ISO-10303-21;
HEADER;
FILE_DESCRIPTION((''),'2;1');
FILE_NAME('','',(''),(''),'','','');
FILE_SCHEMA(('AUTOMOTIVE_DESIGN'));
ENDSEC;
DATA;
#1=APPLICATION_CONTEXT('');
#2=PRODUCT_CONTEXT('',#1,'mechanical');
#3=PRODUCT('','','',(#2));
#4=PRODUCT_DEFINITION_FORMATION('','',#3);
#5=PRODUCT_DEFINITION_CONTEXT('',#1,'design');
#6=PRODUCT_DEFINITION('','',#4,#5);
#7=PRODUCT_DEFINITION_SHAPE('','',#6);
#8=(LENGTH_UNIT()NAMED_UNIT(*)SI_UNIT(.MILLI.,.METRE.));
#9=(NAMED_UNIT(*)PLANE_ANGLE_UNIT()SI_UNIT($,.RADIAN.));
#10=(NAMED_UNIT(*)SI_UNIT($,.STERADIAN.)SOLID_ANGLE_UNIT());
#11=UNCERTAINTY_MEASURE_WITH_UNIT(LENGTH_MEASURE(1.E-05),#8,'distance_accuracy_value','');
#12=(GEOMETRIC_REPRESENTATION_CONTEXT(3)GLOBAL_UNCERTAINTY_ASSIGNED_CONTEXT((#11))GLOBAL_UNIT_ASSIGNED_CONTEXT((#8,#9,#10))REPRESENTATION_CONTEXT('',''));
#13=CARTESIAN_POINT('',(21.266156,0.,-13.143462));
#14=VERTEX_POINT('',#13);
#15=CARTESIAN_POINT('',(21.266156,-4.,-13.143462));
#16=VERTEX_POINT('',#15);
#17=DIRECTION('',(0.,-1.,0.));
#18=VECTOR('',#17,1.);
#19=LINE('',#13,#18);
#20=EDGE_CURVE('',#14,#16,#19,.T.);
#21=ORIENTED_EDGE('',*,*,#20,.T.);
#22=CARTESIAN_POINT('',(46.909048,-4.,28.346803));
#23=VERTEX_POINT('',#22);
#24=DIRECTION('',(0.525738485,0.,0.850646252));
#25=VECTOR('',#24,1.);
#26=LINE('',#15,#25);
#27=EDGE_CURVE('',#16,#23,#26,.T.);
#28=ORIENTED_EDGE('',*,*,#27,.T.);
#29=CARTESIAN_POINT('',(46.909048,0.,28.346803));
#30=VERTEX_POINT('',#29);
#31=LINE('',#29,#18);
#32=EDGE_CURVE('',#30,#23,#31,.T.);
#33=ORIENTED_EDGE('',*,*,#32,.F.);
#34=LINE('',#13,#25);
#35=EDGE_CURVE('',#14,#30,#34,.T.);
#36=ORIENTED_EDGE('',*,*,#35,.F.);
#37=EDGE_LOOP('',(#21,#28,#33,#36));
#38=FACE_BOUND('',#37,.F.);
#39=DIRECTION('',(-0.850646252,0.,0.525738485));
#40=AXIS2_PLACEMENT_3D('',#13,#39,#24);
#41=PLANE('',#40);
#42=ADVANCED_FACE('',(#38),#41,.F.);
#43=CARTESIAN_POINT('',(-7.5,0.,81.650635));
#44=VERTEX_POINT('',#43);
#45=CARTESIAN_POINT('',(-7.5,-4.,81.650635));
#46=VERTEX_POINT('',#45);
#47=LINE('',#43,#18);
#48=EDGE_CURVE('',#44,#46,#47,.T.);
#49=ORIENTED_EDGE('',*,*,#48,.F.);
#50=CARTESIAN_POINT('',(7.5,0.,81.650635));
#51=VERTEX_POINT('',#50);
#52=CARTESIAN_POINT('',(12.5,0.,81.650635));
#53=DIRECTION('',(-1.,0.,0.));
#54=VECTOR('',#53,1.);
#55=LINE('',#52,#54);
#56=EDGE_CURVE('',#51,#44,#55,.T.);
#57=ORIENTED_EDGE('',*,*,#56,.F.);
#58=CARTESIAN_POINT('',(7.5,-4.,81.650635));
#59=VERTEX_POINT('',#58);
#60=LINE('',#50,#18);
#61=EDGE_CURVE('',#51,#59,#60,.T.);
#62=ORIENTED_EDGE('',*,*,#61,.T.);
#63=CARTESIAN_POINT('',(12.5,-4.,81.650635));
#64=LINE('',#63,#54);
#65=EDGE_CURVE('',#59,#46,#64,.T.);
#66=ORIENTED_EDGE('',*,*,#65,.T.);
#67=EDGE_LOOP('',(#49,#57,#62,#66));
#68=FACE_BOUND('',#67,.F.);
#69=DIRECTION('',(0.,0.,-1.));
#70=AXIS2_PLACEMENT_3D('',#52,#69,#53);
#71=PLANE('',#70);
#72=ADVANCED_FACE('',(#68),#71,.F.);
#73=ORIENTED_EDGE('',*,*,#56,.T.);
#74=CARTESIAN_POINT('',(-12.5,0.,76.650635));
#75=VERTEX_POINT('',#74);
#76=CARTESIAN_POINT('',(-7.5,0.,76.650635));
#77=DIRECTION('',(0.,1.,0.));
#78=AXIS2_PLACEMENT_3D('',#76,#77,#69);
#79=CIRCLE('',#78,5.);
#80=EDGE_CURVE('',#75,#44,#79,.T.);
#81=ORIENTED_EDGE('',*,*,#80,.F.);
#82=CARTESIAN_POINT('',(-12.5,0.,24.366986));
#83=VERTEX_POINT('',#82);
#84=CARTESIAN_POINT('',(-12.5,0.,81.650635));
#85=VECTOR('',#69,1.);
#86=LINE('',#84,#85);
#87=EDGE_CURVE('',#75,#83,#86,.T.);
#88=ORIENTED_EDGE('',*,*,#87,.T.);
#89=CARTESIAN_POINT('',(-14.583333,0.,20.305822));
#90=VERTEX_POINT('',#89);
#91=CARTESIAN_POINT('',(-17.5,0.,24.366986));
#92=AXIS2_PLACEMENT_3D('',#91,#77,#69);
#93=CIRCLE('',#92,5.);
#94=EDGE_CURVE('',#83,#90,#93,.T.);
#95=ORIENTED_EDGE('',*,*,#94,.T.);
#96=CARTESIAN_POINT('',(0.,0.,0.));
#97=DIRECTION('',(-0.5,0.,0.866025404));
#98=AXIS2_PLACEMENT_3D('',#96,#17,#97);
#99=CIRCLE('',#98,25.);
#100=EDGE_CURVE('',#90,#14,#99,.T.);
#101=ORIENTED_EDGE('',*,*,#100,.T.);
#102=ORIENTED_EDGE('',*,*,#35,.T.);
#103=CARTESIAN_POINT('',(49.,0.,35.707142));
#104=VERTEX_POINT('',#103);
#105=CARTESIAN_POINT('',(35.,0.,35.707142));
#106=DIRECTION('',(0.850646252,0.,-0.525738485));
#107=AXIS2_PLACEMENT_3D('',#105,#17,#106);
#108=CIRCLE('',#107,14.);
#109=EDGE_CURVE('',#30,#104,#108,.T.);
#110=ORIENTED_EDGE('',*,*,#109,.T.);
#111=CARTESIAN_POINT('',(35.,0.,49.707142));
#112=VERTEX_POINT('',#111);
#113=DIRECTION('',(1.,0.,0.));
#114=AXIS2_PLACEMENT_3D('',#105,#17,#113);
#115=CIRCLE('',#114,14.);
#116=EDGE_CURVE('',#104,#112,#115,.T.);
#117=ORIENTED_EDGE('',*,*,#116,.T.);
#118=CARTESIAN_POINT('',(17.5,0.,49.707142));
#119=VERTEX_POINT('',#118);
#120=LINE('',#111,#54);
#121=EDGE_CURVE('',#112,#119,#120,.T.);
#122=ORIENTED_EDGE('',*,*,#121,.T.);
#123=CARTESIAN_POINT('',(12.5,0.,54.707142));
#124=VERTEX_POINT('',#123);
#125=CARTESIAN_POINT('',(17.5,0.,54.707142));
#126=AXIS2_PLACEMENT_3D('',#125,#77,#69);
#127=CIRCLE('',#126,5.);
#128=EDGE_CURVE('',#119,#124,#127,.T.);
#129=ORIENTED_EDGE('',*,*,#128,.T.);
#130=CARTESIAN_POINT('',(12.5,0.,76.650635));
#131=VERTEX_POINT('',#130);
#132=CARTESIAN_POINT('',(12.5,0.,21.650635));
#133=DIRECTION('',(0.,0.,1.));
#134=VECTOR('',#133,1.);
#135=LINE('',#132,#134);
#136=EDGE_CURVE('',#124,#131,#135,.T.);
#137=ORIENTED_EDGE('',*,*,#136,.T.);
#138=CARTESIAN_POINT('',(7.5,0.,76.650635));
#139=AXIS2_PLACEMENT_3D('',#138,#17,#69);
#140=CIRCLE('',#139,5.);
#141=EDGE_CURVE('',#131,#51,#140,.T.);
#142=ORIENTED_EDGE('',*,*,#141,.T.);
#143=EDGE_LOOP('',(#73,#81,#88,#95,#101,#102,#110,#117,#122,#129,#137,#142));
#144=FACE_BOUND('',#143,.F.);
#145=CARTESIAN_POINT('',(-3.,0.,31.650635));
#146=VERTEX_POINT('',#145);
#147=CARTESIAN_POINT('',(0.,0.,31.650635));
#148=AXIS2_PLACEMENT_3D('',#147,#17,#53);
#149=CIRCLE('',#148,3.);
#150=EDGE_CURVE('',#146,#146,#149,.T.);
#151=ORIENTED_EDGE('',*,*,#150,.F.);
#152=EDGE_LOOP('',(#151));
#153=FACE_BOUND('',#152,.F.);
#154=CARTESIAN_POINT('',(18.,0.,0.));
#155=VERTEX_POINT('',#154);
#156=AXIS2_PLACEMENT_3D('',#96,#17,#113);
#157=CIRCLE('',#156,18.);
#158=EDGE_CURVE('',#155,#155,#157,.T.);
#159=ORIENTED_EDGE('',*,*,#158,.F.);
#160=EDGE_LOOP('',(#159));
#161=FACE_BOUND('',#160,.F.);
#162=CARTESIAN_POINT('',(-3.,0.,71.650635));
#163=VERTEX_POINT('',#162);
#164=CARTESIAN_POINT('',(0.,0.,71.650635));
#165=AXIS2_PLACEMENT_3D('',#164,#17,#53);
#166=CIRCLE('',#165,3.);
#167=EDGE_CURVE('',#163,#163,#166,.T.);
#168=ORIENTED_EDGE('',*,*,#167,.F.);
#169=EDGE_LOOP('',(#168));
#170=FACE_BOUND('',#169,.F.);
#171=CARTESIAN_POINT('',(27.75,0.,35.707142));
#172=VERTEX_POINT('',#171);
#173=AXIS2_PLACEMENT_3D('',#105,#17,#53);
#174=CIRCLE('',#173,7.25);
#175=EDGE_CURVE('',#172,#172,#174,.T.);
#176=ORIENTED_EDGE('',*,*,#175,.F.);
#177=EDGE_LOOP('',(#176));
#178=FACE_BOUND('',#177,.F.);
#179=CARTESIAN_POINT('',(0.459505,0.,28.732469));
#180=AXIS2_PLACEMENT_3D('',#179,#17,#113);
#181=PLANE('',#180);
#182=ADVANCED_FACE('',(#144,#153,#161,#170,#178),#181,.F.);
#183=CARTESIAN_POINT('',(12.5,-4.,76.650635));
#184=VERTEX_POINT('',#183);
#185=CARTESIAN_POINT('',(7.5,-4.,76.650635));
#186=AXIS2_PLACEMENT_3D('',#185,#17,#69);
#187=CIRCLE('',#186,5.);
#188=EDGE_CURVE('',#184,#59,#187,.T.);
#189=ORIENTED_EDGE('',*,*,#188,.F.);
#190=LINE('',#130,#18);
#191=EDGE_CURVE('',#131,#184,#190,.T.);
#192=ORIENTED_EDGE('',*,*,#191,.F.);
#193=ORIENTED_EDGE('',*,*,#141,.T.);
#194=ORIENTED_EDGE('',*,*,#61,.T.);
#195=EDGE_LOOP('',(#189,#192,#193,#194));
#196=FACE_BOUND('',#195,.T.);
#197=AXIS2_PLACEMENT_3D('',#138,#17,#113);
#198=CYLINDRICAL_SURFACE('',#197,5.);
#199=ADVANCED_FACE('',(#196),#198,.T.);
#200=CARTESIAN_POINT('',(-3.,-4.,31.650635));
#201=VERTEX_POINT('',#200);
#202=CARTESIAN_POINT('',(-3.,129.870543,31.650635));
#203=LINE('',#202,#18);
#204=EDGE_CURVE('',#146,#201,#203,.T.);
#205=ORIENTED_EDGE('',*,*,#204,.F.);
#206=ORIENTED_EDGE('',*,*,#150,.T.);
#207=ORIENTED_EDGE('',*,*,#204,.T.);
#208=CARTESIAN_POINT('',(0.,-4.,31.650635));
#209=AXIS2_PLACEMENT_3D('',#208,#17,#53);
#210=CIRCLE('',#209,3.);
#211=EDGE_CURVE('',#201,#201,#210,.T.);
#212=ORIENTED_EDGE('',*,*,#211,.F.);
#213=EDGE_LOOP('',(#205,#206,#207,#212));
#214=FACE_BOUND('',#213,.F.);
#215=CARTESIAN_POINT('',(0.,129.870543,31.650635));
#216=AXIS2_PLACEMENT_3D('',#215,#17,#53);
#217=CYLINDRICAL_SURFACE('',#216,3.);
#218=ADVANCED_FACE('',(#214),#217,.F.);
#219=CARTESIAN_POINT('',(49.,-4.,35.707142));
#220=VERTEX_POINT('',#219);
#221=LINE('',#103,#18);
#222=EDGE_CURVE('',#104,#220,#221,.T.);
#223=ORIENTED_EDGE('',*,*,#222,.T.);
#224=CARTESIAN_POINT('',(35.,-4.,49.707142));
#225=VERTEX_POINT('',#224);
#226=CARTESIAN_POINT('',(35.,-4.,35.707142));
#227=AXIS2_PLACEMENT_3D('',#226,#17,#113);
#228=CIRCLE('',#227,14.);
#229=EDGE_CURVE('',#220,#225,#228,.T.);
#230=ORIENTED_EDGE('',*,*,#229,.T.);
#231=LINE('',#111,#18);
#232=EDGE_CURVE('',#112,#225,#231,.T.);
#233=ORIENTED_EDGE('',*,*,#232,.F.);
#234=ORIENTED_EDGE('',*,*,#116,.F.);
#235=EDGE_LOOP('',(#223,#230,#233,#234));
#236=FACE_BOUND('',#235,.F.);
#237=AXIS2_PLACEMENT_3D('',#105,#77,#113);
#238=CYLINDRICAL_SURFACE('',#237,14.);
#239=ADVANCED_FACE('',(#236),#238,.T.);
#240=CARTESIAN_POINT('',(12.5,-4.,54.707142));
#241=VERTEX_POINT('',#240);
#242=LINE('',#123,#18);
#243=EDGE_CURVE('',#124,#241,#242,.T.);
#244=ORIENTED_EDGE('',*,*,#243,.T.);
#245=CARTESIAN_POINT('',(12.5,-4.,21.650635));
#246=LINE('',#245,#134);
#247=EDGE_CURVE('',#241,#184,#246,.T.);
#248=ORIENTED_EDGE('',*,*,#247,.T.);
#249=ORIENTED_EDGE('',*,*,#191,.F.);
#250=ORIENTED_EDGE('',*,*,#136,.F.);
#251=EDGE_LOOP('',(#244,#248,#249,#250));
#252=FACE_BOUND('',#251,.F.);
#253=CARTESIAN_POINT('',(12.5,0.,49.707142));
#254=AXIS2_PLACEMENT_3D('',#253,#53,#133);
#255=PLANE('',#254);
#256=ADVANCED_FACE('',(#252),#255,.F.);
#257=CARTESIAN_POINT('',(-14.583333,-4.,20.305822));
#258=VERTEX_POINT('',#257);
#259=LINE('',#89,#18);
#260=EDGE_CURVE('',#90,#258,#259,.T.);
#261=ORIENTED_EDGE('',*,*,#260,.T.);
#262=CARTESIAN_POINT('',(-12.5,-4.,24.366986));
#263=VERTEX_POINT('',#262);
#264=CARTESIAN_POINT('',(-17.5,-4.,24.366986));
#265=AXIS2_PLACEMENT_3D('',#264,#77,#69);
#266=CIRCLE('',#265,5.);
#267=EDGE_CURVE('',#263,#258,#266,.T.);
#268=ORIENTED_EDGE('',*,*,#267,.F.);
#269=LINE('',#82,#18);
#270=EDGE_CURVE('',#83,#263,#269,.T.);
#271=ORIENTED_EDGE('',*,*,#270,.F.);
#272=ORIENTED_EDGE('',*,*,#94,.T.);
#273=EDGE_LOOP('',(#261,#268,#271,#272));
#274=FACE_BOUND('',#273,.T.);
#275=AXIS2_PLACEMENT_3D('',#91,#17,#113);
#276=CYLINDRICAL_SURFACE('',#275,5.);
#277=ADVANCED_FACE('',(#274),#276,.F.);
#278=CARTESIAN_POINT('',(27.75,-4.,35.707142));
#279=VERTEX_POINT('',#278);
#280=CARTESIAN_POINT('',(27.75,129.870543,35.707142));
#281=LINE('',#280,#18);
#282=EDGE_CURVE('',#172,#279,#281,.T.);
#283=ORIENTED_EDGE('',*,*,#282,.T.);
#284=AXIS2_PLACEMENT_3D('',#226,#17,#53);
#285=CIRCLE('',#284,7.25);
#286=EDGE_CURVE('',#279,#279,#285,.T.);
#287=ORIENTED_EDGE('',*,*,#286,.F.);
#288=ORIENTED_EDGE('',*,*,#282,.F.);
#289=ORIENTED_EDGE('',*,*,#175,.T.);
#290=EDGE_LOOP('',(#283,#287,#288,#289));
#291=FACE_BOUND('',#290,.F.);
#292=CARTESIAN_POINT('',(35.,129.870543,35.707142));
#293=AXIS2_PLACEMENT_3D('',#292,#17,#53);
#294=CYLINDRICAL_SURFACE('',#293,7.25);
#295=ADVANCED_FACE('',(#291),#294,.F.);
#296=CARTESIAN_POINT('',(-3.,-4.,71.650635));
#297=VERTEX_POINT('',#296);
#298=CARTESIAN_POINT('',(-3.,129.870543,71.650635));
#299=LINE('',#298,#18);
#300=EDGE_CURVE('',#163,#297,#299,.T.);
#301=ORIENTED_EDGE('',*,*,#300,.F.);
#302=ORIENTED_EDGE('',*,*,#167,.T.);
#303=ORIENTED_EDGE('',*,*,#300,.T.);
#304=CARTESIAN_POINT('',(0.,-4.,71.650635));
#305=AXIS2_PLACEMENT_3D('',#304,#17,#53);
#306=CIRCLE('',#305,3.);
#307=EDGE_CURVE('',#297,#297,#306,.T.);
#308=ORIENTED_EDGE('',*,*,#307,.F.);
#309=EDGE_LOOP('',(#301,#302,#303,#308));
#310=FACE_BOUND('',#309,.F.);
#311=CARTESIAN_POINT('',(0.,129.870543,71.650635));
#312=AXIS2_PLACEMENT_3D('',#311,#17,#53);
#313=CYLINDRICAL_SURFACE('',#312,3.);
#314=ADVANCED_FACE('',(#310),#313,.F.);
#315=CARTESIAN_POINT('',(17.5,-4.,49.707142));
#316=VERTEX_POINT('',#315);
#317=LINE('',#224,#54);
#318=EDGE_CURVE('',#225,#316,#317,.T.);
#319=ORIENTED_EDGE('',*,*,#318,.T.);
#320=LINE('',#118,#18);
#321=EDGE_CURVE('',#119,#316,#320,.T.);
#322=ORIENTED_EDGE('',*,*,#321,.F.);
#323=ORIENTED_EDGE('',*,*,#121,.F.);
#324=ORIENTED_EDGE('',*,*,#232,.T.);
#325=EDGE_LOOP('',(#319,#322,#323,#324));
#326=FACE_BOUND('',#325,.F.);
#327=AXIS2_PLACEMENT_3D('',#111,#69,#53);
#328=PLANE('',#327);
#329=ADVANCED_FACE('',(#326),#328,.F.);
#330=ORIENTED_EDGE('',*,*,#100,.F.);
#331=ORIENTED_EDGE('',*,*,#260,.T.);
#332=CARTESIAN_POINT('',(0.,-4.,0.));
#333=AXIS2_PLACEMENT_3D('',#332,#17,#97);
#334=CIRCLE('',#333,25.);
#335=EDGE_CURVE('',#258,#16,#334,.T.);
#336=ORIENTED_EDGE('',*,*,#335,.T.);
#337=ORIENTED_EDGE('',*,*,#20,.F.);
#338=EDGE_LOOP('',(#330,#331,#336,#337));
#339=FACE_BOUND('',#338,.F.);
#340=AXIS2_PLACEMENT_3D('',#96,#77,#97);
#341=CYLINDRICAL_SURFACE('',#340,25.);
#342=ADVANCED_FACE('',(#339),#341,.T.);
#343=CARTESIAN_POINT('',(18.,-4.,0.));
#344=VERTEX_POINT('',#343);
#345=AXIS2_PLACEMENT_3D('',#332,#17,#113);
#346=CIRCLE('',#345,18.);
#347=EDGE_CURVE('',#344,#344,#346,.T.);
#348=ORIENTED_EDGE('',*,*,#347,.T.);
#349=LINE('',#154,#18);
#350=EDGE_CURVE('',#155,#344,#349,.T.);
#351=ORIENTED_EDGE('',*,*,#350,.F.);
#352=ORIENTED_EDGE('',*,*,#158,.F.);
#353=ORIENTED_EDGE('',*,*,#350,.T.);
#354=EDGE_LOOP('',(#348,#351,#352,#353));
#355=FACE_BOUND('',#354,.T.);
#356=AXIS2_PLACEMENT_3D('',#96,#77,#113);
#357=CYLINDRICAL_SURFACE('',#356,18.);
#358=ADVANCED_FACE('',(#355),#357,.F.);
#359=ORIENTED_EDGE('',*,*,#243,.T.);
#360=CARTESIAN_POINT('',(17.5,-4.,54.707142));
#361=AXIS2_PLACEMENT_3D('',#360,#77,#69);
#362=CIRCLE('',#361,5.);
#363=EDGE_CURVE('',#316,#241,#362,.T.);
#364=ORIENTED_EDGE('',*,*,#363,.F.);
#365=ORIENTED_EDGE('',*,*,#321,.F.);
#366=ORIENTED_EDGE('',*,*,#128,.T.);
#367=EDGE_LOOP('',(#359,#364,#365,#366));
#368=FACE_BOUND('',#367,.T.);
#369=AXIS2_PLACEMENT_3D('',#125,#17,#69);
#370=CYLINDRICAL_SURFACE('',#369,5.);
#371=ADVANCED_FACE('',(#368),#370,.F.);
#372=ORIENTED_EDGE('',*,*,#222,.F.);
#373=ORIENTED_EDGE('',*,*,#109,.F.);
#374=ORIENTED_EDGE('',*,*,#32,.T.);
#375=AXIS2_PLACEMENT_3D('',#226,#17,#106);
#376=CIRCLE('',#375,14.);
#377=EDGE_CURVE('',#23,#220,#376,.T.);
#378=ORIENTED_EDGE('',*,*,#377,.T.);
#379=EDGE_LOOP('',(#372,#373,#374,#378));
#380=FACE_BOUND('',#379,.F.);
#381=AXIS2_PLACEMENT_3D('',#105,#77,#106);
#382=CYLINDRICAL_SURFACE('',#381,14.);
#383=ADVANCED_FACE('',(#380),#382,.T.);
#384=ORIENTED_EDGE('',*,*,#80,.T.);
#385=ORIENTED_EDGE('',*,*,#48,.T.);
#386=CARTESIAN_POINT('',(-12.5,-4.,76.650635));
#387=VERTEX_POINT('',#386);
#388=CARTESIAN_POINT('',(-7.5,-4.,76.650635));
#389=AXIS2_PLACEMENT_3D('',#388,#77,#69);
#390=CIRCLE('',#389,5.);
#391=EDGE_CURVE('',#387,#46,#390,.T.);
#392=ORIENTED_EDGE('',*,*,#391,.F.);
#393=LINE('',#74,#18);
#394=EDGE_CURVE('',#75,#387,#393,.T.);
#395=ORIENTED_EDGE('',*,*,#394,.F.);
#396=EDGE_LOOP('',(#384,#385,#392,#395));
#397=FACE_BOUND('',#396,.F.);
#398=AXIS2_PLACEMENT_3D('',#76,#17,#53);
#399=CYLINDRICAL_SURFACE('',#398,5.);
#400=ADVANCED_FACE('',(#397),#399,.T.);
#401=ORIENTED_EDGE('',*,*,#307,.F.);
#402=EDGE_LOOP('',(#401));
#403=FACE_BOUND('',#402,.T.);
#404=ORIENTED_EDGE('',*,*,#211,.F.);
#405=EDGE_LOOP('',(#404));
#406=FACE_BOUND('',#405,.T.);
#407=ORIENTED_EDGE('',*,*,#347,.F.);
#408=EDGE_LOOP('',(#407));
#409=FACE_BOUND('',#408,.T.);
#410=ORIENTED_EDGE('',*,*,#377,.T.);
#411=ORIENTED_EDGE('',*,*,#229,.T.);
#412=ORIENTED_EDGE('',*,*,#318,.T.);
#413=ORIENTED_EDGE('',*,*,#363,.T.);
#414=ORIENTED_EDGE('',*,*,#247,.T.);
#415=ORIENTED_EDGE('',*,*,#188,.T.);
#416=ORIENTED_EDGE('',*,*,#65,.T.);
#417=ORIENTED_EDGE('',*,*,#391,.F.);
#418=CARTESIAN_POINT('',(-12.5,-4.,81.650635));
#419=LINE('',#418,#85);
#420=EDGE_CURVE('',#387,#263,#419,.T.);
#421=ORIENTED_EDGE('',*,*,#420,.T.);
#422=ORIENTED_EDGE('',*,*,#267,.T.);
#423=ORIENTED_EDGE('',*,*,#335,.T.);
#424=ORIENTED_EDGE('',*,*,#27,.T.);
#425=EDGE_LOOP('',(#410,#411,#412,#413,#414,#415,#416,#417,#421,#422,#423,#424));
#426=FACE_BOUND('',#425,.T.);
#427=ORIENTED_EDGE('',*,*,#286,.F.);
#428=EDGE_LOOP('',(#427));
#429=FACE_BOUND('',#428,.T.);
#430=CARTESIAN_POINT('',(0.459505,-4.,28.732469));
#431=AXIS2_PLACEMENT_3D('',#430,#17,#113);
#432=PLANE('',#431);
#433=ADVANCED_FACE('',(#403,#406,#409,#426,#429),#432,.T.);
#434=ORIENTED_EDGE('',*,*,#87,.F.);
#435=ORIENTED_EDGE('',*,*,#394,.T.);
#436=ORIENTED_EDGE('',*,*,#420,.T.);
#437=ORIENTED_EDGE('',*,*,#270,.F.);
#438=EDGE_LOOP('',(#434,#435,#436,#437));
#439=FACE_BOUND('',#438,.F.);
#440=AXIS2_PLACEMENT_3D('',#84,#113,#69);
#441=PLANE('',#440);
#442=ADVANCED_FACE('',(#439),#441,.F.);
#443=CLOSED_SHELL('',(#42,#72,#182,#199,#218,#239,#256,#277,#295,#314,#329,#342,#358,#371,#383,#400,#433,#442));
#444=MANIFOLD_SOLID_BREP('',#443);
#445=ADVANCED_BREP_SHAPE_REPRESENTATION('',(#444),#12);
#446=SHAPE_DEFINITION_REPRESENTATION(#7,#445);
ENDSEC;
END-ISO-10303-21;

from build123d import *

# Parameters (mm, degrees)
F0_R     = 18
F1_DEPTH = 4
F2_R     = 5
F3_D     = 6
F4_D     = 14.5


with BuildPart() as f1:
    # F0 (on Front) → F1 (new body)
    with BuildSketch(Plane.XZ):
        with BuildLine():
            Line((-12.5, 81.6506350946), (-12.5, 21.6506350946))
            ThreePointArc((-12.5, 21.6506350946), (-17.9406988245, -17.4106670087), (21.2661562924, -13.1434621219))
            ThreePointArc((21.2661562924, -13.1434621219), (24.242434448, 6.1077305141), (12.5, 21.6506350946))
            Line((12.5, 21.6506350946), (12.5, 49.7071421427))
            Line((12.5, 49.7071421427), (12.5, 81.6506350946))
            Line((12.5, 81.6506350946), (-12.5, 81.6506350946))
        make_face()
        Circle(F0_R, mode=Mode.SUBTRACT)
        with BuildLine():
            ThreePointArc((12.5, 21.6506350946), (24.242434448, 6.1077305141), (21.2661562924, -13.1434621219))
            Line((21.2661562924, -13.1434621219), (46.9090475237, 28.3468033545))
            ThreePointArc((46.9090475237, 28.3468033545), (22.7720659342, 28.8896918508), (35, 49.7071421427))
            Line((35, 49.7071421427), (12.5, 49.7071421427))
            Line((12.5, 49.7071421427), (12.5, 21.6506350946))
        make_face()
        with BuildLine():
            ThreePointArc((35, 49.7071421427), (22.7720659342, 28.8896918508), (46.9090475237, 28.3468033545))
            ThreePointArc((46.9090475237, 28.3468033545), (48.4671204296, 31.8813523767), (49, 35.7071421427))
            ThreePointArc((49, 35.7071421427), (44.8994949366, 45.6066370793), (35, 49.7071421427))
        make_face()
    extrude(amount=F1_DEPTH)

    # F2
    f2_edges = [f1.edges().sort_by_distance(p)[0] for p in [
        (12.5, -2, 81.650635),
        (12.5, -2, 49.707142),
        (21.266156, -2, -13.143462),
        (-12.5, -2, 21.650635),
        (-12.5, -2, 81.650635),
    ]]
    fillet(f2_edges, radius=F2_R)

    # F3 (through all)
    with Locations(Plane(origin=(0, 0, 0), x_dir=(1, 0, 0), z_dir=(0, 1, 0))):
        with Locations((0, -31.6506350946), (0, -71.6506350946)):
            Hole(F3_D / 2)

    # F4 (through all)
    with Locations(Plane(origin=(0, 0, 0), x_dir=(1, 0, 0), z_dir=(0, 1, 0))):
        with Locations((35, -35.7071421427)):
            Hole(F4_D / 2)


solid = f1.part
